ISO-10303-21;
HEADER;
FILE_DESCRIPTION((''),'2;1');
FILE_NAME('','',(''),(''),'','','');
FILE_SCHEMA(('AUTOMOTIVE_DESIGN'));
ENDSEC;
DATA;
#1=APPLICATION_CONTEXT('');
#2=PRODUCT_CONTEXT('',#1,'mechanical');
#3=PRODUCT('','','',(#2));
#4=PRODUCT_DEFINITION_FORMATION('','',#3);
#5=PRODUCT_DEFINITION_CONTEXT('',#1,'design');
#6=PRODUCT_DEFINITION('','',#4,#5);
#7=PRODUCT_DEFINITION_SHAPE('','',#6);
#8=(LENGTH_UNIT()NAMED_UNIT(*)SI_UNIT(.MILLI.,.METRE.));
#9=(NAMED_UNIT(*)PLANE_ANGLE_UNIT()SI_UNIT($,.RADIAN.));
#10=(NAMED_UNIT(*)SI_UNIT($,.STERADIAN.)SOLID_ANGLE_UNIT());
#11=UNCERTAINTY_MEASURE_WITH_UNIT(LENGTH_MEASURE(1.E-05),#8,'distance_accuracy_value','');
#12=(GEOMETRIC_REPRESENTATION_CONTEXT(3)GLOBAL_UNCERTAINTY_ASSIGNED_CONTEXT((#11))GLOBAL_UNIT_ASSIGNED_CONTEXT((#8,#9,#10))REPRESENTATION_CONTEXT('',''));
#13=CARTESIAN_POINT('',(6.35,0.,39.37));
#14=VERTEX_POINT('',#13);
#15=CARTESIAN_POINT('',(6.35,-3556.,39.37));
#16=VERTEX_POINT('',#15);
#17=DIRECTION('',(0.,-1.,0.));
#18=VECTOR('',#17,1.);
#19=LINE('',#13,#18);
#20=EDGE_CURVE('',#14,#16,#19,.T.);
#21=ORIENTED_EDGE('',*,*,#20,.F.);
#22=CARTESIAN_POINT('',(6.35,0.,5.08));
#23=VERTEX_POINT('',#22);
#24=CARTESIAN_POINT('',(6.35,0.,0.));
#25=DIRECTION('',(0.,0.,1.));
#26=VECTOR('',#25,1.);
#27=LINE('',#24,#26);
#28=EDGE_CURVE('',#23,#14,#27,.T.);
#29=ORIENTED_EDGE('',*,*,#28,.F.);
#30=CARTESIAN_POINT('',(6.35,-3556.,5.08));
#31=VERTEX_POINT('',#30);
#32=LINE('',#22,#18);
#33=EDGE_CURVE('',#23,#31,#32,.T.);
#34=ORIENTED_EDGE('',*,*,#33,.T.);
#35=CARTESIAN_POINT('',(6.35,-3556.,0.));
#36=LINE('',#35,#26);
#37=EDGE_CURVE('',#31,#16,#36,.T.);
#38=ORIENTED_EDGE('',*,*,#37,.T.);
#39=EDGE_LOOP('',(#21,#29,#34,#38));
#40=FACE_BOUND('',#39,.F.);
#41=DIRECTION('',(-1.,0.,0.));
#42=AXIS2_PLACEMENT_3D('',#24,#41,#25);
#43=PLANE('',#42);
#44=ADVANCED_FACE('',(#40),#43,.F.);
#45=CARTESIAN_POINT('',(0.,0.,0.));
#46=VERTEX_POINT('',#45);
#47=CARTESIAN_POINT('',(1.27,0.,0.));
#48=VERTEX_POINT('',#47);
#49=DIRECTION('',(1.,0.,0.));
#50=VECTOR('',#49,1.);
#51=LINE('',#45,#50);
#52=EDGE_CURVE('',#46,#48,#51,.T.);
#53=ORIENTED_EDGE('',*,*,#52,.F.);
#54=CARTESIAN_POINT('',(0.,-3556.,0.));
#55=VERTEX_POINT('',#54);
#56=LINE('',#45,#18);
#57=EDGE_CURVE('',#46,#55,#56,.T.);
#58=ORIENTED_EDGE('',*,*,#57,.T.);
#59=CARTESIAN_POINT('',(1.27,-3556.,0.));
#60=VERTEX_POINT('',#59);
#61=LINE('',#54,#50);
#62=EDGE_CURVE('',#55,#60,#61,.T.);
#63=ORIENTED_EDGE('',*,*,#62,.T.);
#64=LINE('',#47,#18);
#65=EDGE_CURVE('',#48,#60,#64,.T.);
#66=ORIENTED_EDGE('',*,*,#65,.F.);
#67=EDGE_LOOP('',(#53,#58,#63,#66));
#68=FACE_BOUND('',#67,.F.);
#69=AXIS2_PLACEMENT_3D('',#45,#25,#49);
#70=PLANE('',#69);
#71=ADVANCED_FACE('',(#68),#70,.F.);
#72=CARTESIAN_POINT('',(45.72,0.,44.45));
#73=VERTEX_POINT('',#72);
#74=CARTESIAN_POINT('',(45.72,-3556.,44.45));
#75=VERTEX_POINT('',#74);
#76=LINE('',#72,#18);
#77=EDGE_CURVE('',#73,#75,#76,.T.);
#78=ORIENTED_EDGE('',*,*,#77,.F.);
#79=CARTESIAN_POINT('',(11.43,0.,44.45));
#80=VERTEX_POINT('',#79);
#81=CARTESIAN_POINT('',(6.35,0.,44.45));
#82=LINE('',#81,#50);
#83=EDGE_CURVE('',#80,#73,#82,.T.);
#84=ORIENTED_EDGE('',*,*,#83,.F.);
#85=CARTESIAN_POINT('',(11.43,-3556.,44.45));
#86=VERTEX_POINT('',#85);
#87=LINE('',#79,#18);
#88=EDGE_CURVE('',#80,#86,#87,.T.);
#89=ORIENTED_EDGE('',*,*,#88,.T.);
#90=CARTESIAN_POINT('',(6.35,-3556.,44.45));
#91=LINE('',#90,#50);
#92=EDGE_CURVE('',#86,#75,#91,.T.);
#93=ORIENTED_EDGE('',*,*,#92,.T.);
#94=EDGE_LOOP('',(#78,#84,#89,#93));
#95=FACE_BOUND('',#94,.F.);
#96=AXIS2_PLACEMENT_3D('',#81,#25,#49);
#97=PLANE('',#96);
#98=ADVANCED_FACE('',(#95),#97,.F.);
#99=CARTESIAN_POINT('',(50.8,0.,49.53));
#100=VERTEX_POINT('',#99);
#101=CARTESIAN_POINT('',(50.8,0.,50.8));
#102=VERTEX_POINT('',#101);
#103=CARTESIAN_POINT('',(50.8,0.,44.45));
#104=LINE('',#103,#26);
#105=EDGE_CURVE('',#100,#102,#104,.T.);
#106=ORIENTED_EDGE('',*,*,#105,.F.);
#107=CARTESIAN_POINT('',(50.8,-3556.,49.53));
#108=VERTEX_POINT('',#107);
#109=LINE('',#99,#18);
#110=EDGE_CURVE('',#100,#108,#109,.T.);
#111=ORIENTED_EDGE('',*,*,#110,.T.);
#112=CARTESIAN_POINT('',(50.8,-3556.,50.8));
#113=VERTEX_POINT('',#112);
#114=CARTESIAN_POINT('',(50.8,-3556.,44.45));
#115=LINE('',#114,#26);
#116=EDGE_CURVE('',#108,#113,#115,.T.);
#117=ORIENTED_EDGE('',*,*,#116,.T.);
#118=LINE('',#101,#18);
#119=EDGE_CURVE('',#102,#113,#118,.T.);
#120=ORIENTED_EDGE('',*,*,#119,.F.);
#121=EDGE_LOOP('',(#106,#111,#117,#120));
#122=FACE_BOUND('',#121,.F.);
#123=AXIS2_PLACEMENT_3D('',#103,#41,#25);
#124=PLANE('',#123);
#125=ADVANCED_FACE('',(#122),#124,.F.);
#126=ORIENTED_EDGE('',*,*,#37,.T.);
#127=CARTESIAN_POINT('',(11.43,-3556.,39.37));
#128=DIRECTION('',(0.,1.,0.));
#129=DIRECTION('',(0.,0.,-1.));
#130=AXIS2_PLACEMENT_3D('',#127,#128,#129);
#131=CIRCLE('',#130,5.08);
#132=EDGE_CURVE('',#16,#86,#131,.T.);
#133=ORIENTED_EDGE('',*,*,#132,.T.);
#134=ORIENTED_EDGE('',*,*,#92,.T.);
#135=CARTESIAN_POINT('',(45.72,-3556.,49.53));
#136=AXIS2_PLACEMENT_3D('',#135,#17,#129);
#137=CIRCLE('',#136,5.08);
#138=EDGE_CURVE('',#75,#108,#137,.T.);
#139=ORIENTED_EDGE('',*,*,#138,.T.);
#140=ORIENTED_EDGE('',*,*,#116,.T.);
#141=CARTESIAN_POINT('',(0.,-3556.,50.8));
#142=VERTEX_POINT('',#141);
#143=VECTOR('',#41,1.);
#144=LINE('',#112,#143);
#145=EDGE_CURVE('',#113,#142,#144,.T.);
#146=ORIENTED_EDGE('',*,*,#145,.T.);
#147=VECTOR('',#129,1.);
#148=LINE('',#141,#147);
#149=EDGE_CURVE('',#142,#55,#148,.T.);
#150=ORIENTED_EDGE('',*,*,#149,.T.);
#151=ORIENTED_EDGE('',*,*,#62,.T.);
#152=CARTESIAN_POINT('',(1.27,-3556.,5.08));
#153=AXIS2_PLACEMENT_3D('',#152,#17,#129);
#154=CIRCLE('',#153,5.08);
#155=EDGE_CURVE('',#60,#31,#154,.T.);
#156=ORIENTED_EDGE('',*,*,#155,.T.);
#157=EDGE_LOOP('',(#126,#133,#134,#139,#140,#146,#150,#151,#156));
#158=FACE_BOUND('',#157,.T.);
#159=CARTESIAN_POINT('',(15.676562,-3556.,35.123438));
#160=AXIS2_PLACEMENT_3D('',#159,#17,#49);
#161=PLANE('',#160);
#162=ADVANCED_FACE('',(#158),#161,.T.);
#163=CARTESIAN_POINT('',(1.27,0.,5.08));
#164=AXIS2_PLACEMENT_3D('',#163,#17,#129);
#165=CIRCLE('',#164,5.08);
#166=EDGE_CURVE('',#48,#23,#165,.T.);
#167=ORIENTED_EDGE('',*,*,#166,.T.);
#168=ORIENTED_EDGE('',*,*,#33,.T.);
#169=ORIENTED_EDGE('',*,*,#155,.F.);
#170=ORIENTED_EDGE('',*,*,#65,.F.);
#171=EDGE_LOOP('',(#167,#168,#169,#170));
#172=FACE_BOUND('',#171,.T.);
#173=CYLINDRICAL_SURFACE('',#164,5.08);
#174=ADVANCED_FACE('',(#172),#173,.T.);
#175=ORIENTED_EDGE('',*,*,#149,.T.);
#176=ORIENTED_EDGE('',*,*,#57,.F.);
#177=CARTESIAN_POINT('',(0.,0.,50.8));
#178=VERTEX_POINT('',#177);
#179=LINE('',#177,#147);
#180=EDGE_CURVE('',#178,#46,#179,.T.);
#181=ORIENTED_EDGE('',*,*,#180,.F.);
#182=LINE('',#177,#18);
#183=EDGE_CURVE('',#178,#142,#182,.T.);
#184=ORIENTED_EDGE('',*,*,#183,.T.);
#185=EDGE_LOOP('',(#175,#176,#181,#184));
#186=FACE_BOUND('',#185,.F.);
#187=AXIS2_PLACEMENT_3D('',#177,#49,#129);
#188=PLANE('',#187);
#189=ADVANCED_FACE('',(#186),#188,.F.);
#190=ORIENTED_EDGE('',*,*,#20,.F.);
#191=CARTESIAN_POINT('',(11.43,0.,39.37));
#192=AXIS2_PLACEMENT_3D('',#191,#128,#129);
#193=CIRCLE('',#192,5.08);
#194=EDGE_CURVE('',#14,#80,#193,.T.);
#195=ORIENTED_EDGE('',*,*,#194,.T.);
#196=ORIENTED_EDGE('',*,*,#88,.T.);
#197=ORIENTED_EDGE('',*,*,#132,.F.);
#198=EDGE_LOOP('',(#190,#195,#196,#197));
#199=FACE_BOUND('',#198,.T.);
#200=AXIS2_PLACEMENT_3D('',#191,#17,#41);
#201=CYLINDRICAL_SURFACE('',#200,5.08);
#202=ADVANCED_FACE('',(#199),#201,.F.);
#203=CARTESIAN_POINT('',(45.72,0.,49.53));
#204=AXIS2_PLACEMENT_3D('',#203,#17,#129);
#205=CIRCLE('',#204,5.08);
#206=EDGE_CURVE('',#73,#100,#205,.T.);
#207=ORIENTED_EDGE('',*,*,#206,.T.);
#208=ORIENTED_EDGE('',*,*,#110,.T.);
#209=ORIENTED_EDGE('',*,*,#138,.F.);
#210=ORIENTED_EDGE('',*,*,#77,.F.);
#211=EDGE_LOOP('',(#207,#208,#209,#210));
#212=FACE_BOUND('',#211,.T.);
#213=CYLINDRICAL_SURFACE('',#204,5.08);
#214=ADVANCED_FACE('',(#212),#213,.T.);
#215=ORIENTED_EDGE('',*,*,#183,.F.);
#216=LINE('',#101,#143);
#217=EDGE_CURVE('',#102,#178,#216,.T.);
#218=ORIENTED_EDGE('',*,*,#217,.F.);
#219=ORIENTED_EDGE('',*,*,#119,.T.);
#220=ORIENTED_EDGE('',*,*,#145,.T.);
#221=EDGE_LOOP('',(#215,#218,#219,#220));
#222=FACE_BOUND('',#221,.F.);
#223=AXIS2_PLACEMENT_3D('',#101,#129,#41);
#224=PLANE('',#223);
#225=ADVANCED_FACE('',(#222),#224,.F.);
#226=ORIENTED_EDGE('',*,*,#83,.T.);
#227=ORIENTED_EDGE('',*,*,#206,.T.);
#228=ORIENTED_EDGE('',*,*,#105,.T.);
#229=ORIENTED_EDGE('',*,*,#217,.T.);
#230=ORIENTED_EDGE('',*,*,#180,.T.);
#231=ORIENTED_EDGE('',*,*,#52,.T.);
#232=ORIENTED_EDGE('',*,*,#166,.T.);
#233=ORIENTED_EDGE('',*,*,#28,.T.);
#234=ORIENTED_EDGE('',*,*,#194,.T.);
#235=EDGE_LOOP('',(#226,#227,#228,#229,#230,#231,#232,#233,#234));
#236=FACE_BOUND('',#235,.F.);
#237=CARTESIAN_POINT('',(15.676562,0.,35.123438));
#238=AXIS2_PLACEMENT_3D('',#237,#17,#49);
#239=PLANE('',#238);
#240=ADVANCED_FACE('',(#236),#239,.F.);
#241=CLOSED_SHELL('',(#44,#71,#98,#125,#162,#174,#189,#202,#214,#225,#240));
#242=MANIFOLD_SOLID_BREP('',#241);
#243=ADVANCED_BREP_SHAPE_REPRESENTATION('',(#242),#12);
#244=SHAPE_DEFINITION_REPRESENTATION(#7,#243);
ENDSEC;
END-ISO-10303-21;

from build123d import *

# Parameters (mm, degrees)
F1_DEPTH = 3556
F2_R     = 5.08


with BuildPart() as f1:
    # F0 (on Front) → F1 (new body)
    with BuildSketch(Plane.XZ):
        Polygon((0, 50.8), (0, 0), (6.35, 0), (6.35, 44.45), (50.8, 44.45), (50.8, 50.8), align=None)
    extrude(amount=F1_DEPTH)

    # F2
    f2_edges = [f1.edges().sort_by_distance(p)[0] for p in [
        (6.35, -1778, 0),
        (50.8, -1778, 44.45),
        (6.35, -1778, 44.45),
    ]]
    fillet(f2_edges, radius=F2_R)


solid = f1.part
